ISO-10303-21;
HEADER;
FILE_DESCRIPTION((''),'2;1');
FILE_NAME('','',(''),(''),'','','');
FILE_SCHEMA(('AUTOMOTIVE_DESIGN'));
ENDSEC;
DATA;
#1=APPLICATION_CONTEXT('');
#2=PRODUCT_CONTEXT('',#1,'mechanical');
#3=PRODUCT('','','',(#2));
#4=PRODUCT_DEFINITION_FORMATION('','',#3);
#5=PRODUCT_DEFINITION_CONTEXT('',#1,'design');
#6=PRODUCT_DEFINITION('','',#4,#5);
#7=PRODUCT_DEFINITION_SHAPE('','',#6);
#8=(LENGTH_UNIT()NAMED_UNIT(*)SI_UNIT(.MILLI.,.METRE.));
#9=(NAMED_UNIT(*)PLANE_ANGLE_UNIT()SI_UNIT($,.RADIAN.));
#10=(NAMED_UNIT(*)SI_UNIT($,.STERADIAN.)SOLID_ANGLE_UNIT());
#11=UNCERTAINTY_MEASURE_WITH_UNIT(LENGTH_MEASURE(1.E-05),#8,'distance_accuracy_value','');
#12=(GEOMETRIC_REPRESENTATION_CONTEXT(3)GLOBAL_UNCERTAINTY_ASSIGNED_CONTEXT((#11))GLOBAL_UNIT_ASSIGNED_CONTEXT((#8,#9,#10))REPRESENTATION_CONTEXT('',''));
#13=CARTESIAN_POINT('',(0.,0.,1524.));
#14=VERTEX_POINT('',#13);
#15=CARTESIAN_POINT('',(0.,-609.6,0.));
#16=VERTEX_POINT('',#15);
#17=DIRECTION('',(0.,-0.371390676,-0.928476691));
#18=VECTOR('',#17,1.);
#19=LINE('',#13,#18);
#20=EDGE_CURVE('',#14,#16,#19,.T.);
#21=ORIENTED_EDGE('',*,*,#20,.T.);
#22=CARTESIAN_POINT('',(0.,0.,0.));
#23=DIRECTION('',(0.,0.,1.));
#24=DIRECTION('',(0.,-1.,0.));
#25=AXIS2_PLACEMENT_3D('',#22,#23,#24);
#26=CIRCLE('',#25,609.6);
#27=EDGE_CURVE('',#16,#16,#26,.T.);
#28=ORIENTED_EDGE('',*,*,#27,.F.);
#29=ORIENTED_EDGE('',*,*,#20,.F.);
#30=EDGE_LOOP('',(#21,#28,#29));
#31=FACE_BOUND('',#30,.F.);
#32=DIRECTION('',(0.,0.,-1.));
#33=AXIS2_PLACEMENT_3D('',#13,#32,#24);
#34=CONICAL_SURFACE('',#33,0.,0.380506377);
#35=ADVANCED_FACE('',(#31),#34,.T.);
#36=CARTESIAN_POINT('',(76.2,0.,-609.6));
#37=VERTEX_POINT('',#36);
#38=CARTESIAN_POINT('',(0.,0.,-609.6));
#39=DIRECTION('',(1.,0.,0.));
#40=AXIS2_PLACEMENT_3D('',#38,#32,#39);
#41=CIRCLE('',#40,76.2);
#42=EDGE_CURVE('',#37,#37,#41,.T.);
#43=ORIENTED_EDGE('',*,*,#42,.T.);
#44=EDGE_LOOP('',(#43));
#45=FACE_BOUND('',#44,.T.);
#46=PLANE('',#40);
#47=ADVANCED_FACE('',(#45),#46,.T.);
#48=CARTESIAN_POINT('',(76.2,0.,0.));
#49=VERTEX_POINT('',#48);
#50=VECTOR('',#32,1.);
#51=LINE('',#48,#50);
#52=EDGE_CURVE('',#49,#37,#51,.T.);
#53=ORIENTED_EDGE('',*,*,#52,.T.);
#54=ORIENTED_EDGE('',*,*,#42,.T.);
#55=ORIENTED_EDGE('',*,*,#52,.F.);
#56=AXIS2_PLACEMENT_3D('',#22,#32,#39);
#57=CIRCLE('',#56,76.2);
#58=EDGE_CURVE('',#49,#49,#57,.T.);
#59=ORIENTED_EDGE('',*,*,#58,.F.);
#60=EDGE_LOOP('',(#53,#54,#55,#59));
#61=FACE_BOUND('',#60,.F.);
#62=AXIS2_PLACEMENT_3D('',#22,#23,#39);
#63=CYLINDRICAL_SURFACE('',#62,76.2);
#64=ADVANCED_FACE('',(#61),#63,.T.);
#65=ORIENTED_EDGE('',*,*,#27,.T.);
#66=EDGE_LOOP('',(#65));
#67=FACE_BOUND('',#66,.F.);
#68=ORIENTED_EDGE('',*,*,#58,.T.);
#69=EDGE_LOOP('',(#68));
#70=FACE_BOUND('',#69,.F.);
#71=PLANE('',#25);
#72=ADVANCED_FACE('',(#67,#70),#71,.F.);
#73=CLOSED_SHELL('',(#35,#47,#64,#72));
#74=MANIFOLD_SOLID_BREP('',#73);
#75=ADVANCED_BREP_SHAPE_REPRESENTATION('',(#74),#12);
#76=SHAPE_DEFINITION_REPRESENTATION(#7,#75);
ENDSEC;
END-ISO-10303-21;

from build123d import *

# Parameters (mm, degrees)
F2_R     = 76.2
F3_DEPTH = 609.6


with BuildPart() as f1:
    # F0 (on Right) → F1 (revolve)
    with BuildSketch(Plane.YZ):
        Polygon((-609.6, 0), (0, 0), (0, 1524), align=None)
    revolve(axis=Axis((0, 0, 762), (0, 0, 1)))

    # F2 (on face) → F3 (join)
    with BuildSketch(Plane(origin=(0, 0, 0), x_dir=(1, 0, 0), z_dir=(0, 0, -1))):
        Circle(F2_R)
    extrude(amount=F3_DEPTH)


solid = f1.part
